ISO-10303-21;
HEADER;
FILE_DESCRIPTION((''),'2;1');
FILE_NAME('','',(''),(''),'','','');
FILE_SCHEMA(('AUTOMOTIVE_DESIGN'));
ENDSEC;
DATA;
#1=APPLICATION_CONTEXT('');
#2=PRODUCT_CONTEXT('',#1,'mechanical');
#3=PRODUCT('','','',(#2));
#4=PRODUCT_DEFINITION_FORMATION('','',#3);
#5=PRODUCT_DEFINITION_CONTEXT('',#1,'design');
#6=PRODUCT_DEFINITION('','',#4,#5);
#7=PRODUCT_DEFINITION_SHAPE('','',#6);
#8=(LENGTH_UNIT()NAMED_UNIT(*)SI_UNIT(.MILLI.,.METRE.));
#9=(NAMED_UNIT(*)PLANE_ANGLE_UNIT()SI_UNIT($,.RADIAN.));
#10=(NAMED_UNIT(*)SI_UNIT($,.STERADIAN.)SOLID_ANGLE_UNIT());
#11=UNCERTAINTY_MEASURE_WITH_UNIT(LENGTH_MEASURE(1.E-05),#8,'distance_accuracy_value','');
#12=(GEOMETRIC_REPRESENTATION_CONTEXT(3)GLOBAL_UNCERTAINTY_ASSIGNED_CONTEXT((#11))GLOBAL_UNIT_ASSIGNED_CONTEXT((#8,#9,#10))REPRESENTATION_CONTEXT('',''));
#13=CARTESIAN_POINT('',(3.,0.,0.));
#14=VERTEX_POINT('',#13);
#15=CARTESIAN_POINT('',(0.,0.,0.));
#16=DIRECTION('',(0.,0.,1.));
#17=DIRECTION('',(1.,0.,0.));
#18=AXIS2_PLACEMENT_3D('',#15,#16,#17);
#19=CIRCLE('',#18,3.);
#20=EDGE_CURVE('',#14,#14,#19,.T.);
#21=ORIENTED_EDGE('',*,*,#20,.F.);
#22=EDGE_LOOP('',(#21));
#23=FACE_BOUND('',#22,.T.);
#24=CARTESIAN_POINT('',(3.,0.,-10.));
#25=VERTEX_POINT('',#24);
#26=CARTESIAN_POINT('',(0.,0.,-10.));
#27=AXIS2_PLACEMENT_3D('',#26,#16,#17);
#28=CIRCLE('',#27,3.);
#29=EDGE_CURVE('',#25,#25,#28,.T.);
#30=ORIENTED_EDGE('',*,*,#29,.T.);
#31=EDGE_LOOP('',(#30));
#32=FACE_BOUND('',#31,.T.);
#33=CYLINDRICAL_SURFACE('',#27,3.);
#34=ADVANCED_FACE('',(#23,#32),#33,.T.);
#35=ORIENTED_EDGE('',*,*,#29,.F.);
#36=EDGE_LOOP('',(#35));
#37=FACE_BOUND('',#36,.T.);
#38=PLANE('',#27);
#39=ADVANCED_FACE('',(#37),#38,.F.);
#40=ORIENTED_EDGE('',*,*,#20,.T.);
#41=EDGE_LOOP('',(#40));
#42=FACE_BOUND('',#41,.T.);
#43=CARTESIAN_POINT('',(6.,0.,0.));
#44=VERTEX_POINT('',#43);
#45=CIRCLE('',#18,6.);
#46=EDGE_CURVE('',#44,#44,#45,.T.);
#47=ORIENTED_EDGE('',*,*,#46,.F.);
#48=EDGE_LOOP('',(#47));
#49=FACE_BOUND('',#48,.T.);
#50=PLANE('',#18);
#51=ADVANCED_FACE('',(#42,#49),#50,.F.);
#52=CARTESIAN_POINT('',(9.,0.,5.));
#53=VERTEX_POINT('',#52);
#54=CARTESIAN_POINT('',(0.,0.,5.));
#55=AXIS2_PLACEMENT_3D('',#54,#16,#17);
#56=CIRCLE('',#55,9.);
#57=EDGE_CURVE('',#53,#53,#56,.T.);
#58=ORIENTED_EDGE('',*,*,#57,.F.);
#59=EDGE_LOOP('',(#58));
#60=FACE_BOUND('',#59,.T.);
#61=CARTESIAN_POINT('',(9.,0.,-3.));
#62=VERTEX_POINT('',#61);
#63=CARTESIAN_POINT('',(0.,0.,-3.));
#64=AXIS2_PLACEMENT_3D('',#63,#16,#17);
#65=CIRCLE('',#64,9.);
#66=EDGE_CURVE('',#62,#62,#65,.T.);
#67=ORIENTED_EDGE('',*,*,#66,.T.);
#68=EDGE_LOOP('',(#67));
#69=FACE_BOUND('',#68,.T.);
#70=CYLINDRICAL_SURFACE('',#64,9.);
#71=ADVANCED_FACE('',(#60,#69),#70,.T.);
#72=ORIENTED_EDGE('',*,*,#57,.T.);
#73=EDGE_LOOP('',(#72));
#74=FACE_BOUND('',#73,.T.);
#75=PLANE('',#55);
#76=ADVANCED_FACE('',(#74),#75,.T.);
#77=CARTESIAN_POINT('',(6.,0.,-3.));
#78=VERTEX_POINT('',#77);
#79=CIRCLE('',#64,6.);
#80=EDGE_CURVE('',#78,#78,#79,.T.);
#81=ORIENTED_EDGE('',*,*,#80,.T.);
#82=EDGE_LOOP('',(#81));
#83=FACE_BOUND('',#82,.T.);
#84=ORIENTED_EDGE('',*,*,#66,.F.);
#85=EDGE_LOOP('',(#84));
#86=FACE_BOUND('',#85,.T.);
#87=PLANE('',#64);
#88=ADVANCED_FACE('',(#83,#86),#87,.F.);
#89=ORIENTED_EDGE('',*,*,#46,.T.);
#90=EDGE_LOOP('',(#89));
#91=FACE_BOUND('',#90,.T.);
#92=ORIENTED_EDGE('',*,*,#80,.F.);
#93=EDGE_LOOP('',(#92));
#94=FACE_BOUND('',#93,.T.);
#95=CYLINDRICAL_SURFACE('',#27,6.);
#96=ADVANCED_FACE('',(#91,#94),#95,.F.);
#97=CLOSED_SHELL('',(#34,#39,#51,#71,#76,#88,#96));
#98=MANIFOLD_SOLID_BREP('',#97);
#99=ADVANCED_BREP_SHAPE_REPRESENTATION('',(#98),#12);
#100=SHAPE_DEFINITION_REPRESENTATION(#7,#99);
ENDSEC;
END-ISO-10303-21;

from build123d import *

# Parameters (mm, degrees)
RESSALTO_EXTRUS_O1_DEPTH      = 5
RESSALTO_EXTRUS_O1_DEPTH_BACK = 3
ESBO_O1_R                     = 9
ESBO_O2_R                     = 3
RESSALTO_EXTRUS_O2_DEPTH      = 10
ESBO_O3_R                     = 6
ESBO_O3_R_2                   = 3
CORTE_EXTRUS_O1_DEPTH         = 10


with BuildPart() as part:
    # Esboço1 → Ressalto-extrusão1 (new, two sides: drawn at the far end of the back side and taken through both)
    with BuildSketch(Plane.XY.offset(-RESSALTO_EXTRUS_O1_DEPTH_BACK)):
        Circle(ESBO_O1_R)
    extrude(amount=RESSALTO_EXTRUS_O1_DEPTH + RESSALTO_EXTRUS_O1_DEPTH_BACK)

    # Esboço2 → Ressalto-extrusão2 (add)
    with BuildSketch(Plane.XY):
        Circle(ESBO_O2_R)
    extrude(amount=-RESSALTO_EXTRUS_O2_DEPTH)

    # Esboço3 → Corte-extrusão1 (cut)
    with BuildSketch(Plane.XY):
        Circle(ESBO_O3_R)
        Circle(ESBO_O3_R_2, mode=Mode.SUBTRACT)
    extrude(amount=-CORTE_EXTRUS_O1_DEPTH, mode=Mode.SUBTRACT)


solid = part.part
